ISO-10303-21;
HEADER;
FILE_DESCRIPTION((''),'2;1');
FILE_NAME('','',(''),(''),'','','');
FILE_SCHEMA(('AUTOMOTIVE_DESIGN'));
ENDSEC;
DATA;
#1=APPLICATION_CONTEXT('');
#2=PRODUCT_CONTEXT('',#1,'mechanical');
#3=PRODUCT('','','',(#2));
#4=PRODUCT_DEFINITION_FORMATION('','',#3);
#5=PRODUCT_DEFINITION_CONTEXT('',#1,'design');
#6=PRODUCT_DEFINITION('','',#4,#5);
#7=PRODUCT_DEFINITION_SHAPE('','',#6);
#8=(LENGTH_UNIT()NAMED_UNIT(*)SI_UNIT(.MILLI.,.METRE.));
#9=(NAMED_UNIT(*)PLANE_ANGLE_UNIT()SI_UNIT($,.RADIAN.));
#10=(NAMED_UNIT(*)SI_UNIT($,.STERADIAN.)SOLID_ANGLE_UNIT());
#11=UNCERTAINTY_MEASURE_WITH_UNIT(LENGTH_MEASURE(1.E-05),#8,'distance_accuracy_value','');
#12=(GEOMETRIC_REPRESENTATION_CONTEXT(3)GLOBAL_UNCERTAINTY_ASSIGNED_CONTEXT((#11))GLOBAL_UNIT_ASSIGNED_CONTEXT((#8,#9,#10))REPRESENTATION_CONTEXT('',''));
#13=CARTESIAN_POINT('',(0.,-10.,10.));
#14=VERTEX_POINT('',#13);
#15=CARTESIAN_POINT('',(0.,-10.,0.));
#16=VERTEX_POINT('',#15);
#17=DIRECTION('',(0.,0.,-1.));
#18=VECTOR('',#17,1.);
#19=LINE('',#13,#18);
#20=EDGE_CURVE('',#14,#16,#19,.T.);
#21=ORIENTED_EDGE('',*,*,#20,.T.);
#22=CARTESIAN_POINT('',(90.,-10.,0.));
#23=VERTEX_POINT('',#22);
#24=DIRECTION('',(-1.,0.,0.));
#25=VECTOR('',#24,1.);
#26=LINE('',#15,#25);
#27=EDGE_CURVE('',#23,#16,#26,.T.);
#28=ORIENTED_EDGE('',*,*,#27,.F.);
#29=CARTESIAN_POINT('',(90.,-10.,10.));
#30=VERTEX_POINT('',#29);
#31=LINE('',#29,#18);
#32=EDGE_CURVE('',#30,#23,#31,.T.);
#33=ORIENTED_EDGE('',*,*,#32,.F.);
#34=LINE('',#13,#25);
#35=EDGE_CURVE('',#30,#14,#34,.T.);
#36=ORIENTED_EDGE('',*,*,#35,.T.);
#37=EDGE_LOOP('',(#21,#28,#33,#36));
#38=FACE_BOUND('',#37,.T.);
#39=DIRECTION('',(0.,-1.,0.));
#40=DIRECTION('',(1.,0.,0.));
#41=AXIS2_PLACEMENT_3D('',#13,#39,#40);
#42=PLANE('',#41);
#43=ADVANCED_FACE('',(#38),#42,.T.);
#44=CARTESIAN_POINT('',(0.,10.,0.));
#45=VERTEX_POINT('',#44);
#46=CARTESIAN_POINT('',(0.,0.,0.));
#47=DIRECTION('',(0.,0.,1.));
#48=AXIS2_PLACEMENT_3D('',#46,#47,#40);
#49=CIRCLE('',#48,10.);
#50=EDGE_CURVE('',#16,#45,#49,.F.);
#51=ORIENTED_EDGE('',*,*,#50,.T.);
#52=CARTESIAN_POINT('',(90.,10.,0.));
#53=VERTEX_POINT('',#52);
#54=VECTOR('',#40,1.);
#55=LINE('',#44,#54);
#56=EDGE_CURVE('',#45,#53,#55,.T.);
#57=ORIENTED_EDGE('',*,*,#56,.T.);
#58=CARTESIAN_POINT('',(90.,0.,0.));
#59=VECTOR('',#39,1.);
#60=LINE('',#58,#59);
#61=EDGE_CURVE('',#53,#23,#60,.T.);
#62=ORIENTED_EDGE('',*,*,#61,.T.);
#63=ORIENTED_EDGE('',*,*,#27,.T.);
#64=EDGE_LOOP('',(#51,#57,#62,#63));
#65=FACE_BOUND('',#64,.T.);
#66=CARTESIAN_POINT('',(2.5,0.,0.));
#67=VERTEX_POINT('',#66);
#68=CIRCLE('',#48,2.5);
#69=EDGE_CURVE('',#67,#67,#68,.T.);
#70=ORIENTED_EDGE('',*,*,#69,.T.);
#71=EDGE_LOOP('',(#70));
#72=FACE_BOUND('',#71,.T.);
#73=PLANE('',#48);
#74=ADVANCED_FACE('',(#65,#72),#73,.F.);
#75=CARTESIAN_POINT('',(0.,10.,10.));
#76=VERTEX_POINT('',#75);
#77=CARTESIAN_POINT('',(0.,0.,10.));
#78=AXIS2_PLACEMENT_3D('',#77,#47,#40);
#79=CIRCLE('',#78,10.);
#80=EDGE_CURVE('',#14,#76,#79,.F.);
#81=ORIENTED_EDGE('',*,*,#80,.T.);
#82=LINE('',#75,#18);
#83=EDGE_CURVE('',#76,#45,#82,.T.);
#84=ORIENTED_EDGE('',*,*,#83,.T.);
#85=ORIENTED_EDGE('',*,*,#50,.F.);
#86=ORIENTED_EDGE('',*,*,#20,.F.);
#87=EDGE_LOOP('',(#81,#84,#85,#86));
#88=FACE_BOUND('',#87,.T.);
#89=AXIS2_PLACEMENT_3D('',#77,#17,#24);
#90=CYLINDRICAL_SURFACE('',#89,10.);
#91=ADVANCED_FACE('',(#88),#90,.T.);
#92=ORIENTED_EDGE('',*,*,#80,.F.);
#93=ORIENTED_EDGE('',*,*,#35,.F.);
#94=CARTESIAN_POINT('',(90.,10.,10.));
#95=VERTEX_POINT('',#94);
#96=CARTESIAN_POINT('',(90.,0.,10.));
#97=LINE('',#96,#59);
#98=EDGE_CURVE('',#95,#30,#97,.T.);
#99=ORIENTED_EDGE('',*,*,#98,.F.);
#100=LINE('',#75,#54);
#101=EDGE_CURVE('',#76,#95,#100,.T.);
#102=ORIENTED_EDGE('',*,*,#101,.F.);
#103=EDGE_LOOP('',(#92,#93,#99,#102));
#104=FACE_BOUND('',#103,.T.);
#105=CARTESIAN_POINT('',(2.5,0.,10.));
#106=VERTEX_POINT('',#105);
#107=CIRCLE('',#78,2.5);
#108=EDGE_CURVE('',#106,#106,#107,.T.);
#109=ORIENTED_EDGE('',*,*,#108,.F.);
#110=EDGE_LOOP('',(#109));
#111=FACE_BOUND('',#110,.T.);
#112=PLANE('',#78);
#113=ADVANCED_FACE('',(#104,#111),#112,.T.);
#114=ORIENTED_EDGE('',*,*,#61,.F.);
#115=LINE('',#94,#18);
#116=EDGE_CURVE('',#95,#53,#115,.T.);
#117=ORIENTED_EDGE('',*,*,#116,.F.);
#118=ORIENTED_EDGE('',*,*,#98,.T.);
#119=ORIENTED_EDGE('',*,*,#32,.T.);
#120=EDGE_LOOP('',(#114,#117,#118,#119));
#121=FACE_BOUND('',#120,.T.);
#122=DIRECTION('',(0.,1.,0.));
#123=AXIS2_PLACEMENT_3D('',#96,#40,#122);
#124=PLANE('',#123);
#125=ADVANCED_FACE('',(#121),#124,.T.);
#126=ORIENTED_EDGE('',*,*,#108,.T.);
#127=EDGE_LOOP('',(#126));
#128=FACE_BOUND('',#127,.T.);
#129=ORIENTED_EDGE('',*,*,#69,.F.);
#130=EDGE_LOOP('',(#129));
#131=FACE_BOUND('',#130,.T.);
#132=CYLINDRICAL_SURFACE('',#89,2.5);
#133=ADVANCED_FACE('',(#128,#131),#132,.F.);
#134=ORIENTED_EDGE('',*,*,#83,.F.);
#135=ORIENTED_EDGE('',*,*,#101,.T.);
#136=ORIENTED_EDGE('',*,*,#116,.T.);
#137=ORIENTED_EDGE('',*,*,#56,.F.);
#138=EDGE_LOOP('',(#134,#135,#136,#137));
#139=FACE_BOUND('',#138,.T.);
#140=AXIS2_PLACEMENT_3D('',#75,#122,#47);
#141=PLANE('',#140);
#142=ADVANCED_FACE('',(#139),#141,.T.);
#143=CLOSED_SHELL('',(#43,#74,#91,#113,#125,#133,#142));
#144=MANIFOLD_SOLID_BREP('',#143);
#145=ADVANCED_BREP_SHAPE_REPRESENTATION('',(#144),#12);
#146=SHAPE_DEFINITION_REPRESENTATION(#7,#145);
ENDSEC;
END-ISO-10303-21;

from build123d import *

# Parameters (mm, degrees)
SKETCH1_R           = 2.5
BOSS_EXTRUDE1_DEPTH = 10


with BuildPart() as part:
    # Sketch1 → Boss-Extrude1 (new body)
    with BuildSketch(Plane.XY):
        with BuildLine():
            Line((90, 10), (0, 10))
            ThreePointArc((0, 10), (-10, 0), (0, -10))
            Line((0, -10), (90, -10))
            Line((90, -10), (90, 10))
        make_face()
        Circle(SKETCH1_R, mode=Mode.SUBTRACT)
    extrude(amount=BOSS_EXTRUDE1_DEPTH)


solid = part.part
